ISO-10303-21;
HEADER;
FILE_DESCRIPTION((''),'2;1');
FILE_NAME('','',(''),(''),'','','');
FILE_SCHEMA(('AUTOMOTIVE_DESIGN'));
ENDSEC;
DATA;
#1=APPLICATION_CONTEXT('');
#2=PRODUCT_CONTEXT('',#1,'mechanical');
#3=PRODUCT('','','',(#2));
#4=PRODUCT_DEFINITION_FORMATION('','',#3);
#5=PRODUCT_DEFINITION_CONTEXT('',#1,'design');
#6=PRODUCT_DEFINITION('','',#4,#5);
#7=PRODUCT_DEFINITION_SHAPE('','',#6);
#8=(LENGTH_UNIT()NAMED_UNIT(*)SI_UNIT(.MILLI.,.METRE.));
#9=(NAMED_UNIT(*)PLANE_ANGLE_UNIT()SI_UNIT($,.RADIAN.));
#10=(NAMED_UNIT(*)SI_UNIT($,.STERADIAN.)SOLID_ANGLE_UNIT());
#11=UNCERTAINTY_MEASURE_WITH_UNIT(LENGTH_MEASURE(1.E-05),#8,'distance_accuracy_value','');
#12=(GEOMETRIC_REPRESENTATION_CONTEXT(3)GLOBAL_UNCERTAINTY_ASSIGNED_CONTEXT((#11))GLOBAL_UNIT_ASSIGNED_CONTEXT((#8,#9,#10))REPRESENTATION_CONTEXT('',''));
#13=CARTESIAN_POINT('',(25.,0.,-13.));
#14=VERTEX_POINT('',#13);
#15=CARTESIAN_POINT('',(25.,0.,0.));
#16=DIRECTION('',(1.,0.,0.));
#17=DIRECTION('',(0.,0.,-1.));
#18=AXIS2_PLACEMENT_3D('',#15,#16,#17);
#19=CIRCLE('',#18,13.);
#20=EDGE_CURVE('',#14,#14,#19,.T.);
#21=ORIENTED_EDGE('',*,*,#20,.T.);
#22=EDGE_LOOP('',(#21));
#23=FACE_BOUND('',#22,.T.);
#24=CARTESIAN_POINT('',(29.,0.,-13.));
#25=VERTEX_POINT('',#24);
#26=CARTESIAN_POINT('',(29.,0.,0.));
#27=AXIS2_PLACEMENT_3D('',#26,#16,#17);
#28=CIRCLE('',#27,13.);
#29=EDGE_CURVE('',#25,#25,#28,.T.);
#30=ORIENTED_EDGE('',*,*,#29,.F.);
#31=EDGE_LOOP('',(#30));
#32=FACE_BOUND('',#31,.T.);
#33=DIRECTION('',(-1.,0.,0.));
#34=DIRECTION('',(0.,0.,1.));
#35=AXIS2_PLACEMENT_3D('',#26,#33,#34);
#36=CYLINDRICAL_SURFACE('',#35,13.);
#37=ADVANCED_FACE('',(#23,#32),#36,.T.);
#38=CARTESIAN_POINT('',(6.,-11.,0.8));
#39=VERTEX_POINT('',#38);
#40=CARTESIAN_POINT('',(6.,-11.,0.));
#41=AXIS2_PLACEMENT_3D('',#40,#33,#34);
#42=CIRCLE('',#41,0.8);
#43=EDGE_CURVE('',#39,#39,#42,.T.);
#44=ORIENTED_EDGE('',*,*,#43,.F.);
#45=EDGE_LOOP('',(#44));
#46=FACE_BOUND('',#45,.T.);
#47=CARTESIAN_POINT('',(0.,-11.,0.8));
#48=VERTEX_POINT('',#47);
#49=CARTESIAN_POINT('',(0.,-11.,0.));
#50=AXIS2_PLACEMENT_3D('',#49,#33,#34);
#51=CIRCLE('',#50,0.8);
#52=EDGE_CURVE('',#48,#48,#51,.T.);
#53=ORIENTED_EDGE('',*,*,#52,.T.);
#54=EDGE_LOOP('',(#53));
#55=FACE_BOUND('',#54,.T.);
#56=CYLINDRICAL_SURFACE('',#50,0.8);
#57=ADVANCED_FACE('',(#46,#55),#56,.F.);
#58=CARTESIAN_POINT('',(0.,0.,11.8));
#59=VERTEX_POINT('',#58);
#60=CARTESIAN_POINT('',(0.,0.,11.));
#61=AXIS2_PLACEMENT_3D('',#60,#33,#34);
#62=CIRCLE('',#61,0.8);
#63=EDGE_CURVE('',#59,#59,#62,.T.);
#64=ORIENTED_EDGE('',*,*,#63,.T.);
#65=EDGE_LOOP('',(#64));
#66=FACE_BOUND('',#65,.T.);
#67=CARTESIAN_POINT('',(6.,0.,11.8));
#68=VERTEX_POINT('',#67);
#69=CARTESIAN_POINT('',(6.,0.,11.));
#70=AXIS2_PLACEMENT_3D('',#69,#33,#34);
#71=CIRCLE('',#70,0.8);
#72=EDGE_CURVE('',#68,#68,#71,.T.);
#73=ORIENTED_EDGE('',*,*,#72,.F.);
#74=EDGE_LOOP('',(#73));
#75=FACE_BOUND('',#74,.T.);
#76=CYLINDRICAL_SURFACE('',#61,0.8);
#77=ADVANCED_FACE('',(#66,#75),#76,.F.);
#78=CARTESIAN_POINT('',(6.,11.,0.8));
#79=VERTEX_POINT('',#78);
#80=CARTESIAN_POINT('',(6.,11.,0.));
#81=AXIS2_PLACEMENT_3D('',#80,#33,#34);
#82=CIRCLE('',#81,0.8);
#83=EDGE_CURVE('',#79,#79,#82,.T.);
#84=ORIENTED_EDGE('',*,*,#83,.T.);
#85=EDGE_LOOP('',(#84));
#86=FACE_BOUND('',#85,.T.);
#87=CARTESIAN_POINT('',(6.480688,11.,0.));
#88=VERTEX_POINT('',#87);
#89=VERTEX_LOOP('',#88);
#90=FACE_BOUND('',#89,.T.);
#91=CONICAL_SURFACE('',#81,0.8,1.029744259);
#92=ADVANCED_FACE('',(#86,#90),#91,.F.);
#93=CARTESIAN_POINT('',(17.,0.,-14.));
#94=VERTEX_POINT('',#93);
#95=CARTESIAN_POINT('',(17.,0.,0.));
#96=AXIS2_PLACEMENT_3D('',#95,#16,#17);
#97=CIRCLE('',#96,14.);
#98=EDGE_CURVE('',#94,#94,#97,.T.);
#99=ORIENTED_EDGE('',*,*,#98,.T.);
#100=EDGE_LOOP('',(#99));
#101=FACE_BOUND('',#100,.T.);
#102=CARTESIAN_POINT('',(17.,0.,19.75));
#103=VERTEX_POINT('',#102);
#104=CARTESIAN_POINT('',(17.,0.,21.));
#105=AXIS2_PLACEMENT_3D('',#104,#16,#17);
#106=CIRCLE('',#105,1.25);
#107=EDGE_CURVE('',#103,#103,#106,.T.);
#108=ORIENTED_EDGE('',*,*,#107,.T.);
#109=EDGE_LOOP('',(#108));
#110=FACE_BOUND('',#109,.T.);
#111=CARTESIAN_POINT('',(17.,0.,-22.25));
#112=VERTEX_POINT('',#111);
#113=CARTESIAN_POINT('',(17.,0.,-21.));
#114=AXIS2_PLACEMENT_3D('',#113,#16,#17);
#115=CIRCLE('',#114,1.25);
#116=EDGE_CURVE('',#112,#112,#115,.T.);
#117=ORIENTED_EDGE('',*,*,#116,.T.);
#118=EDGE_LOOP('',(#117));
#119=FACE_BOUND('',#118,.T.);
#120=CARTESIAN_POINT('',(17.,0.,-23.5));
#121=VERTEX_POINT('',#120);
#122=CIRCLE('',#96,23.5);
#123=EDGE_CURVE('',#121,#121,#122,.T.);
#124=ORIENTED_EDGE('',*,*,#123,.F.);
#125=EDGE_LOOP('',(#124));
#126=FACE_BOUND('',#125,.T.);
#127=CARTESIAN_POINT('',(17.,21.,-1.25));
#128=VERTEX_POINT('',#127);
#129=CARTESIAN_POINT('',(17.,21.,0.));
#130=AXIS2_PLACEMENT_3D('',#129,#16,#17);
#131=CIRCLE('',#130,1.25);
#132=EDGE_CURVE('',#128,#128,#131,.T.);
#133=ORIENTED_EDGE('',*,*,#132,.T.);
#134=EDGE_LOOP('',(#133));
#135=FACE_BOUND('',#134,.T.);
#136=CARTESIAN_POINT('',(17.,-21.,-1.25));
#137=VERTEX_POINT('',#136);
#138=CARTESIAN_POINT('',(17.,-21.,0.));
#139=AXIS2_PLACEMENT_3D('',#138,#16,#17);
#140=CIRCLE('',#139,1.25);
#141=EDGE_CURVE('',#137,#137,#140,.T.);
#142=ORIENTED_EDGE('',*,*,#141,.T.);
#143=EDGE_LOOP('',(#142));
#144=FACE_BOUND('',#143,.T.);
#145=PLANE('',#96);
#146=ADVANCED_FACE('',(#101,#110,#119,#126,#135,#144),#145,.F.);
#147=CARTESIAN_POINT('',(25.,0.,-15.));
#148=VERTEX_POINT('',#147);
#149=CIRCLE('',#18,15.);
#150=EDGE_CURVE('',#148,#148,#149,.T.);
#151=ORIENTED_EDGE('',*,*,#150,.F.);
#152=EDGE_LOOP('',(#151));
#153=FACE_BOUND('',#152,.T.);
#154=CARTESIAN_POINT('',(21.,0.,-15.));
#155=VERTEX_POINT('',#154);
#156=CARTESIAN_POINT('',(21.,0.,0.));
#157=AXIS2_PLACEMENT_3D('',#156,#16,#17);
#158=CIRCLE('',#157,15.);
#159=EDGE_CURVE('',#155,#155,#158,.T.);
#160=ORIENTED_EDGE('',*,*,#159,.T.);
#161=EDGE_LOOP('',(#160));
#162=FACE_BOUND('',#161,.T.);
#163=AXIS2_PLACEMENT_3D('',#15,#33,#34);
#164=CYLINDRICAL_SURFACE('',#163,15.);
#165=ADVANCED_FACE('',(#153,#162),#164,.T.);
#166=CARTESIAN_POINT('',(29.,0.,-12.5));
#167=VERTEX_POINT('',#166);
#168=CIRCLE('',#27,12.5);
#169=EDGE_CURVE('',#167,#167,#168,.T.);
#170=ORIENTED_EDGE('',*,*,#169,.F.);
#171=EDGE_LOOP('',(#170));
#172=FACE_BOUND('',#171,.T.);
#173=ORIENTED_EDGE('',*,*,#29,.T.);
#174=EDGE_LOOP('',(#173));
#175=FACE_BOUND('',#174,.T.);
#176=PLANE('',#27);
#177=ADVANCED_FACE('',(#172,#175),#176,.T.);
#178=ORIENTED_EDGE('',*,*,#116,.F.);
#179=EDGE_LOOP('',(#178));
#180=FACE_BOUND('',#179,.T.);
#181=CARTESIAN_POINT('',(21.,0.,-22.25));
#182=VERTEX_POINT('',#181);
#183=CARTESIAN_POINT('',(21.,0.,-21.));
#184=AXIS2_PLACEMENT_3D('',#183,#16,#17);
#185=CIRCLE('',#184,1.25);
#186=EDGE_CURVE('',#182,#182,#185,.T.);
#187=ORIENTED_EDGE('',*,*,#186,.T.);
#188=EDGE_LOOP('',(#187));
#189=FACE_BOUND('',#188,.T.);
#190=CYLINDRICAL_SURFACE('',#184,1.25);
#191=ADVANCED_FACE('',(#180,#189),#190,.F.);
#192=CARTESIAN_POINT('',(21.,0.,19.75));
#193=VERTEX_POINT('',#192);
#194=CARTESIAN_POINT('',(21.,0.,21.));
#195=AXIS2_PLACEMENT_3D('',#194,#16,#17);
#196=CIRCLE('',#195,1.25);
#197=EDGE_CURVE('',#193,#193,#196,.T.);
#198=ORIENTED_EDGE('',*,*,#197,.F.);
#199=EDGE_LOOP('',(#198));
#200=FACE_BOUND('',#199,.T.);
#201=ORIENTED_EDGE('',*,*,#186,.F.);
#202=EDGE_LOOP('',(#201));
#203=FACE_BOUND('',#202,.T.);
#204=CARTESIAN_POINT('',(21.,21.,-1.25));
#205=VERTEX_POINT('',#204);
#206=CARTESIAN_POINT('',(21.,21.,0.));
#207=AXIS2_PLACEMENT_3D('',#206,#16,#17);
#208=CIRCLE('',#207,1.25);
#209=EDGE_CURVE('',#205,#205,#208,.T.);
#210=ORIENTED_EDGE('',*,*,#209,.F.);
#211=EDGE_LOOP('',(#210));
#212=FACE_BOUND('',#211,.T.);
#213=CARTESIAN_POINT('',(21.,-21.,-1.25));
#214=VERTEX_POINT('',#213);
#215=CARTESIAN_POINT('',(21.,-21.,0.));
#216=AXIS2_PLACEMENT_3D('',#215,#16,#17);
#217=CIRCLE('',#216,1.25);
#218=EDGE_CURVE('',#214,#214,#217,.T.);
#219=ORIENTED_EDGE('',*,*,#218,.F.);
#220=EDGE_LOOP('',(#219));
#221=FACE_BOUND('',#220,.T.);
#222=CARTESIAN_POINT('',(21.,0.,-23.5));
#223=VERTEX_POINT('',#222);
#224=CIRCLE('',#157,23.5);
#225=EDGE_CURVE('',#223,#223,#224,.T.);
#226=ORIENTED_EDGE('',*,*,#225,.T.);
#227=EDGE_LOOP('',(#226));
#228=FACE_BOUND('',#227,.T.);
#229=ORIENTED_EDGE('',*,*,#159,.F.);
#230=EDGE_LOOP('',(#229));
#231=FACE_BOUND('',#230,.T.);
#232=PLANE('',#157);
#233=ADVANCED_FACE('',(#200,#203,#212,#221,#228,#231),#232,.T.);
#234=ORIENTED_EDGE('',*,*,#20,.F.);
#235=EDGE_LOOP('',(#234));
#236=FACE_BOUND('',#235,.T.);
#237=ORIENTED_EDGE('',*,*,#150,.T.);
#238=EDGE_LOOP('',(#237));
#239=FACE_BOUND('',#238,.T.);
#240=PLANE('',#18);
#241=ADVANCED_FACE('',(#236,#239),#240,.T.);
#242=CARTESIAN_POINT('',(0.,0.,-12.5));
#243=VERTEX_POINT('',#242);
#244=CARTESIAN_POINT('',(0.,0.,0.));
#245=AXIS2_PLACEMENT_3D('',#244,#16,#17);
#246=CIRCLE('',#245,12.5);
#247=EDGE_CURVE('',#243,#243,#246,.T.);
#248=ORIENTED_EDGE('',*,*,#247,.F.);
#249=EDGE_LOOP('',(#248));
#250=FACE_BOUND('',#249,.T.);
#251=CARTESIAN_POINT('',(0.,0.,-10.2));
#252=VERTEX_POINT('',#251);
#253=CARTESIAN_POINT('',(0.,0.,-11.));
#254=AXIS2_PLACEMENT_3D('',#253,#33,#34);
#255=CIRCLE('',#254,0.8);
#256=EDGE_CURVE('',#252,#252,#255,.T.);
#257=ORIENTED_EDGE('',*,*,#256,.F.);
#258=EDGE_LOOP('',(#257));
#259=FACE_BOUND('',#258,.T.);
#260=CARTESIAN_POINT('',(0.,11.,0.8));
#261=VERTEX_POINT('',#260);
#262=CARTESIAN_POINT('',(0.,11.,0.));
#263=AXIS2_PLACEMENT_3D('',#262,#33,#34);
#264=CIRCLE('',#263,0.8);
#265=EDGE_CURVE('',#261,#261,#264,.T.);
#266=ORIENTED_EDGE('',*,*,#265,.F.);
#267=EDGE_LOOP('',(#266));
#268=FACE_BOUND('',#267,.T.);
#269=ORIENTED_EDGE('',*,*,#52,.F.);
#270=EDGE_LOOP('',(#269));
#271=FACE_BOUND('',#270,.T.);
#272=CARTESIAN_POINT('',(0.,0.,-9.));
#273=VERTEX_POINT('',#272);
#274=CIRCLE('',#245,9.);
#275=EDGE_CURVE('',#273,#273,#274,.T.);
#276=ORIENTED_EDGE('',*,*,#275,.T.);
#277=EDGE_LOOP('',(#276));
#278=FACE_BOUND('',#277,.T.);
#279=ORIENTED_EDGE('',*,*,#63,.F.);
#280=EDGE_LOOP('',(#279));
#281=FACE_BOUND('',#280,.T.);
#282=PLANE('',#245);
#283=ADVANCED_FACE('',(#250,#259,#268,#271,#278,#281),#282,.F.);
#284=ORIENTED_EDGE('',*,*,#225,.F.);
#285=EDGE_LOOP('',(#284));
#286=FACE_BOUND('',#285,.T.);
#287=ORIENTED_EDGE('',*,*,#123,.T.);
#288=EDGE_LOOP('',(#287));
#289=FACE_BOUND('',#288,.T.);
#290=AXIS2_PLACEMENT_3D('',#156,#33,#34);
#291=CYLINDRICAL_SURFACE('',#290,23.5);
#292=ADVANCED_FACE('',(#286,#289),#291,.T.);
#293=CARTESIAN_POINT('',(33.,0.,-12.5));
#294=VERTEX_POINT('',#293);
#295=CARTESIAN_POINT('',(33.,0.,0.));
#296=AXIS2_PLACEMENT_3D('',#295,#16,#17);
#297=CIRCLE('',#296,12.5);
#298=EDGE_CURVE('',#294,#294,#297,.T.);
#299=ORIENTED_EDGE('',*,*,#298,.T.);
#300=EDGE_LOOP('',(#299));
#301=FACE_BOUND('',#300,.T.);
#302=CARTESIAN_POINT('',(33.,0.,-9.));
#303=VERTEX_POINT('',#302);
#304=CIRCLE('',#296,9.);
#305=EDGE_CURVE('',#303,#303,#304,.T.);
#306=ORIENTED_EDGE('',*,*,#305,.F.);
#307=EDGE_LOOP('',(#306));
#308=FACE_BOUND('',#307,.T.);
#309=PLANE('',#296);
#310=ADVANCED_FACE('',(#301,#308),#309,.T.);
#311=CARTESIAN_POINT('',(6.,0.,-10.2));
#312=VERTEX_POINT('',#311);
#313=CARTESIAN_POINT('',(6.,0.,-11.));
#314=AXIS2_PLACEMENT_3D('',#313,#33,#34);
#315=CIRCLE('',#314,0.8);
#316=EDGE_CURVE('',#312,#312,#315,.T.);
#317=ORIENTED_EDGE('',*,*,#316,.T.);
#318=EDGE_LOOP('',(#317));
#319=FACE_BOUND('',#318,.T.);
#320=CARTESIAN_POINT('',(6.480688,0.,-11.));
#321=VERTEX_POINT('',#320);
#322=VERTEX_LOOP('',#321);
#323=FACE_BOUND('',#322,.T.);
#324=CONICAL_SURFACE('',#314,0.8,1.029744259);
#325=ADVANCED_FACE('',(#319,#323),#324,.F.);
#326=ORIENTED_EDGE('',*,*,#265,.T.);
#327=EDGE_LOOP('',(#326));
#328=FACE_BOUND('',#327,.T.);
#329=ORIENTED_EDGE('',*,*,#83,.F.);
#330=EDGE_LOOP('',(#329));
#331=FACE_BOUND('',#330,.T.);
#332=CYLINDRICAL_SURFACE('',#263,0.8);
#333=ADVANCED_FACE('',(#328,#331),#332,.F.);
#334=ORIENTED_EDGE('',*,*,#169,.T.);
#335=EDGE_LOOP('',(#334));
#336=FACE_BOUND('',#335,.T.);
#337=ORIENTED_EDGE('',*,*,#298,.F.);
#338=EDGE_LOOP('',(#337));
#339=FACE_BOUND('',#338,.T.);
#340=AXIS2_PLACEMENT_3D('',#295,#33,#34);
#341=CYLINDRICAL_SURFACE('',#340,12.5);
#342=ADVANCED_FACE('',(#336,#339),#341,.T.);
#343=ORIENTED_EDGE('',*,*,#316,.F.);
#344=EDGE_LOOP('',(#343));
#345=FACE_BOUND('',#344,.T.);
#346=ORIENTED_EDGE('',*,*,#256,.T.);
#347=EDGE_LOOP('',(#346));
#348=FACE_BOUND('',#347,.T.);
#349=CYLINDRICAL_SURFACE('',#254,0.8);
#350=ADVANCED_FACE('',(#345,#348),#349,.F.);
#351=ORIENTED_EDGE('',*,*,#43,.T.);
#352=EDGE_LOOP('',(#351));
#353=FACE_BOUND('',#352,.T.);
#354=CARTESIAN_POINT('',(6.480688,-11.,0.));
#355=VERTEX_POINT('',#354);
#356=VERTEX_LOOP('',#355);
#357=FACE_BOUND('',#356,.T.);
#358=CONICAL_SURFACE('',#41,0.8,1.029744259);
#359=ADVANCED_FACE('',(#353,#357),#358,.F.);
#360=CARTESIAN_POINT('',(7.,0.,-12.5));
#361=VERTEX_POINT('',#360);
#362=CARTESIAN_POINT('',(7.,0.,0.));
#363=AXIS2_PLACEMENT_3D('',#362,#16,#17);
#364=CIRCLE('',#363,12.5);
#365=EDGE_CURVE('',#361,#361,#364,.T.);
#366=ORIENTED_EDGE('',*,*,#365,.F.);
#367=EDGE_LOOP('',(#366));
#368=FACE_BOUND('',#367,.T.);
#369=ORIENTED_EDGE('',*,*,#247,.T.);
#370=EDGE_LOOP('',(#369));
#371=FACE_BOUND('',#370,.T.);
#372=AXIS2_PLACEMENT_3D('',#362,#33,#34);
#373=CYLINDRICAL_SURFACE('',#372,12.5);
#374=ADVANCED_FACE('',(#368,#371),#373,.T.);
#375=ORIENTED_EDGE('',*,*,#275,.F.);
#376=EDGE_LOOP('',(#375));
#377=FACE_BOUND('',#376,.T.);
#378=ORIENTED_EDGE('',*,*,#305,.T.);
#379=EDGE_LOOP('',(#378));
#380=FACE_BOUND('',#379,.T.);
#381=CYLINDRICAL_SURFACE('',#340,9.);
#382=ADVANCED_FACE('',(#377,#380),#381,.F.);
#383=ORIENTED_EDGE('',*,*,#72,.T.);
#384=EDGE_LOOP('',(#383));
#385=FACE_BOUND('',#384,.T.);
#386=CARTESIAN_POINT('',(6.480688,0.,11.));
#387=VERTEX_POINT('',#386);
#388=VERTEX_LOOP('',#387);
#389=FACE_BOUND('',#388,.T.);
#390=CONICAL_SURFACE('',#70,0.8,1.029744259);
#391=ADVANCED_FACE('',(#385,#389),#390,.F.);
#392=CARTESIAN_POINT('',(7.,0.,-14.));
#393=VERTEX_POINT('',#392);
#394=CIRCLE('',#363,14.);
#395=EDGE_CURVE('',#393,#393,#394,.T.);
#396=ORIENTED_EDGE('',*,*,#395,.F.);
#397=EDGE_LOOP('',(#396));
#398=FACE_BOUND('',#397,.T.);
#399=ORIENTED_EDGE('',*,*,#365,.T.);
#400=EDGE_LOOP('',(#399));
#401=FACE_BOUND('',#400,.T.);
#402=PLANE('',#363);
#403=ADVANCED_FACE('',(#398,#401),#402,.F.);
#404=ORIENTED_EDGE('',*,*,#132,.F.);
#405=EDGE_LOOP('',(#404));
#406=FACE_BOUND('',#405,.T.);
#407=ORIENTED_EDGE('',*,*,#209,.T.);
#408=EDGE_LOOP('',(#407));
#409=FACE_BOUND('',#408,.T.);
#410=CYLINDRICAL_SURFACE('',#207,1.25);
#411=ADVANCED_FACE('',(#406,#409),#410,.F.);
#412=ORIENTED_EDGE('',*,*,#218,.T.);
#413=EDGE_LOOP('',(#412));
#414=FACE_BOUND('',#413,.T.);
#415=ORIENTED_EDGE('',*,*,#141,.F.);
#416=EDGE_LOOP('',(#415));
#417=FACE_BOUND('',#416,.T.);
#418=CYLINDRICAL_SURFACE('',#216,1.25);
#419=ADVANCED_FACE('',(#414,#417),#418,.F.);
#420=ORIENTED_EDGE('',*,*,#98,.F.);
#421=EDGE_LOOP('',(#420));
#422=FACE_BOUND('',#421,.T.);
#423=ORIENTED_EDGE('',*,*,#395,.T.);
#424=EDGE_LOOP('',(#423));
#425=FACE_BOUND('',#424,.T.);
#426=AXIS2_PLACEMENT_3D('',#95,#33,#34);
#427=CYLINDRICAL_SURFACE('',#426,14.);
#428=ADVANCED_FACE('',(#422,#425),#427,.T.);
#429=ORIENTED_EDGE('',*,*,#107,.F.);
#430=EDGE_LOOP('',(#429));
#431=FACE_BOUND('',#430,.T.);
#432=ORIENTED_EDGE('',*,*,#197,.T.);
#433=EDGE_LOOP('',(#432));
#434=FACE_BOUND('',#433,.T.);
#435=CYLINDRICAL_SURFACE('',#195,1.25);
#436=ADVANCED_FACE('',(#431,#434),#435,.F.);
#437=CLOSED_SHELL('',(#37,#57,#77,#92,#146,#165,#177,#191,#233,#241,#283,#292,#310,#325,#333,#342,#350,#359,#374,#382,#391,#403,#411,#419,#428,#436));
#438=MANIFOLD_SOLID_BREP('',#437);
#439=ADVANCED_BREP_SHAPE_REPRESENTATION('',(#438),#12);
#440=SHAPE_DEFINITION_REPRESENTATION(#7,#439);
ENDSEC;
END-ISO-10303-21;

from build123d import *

# Parameters (mm, degrees)
SKETCH_1_R             = 12.5
EXTRUDE_1_DEPTH        = 7
SKETCH_2_R             = 14
EXTRUDE_2_DEPTH        = 10
SKETCH_3_R             = 23.5
EXTRUDE_3_DEPTH        = 4
HOLE_WIZARD_M3_1_D     = 2.5
HOLE_WIZARD_M3_1_DEPTH = 8.5
HOLE_WIZARD_M3_1_TIP   = 0.751075774
HOLE_WIZARD_M2_1_D     = 1.6
HOLE_WIZARD_M2_1_DEPTH = 6
HOLE_WIZARD_M2_1_TIP   = 0.480688495
SKETCH_14_R            = 15
EXTRUDE_4_DEPTH        = 4
SKETCH_15_R            = 13
EXTRUDE_5_DEPTH        = 4
SKETCH_16_R            = 12.5
EXTRUDE_6_DEPTH        = 4
SKETCH_4_R             = 9
CUT_EXTRUDE_2_DEPTH    = 47.834816109


with BuildPart() as part:
    # 草图1 → 凸台-拉伸1 (new body)
    with BuildSketch(Plane(origin=(0, 0, 0), x_dir=(0, 0, -1), z_dir=(1, 0, 0))):
        Circle(SKETCH_1_R)
    extrude(amount=EXTRUDE_1_DEPTH)

    # 草图2 → 凸台-拉伸2 (add)
    with BuildSketch(Plane(origin=(7, 0, 0), x_dir=(0, 0, -1), z_dir=(1, 0, 0))):
        Circle(SKETCH_2_R)
    extrude(amount=EXTRUDE_2_DEPTH)

    # 草图3 → 凸台-拉伸3 (add)
    with BuildSketch(Plane(origin=(17, 0, 0), x_dir=(0, 0, -1), z_dir=(1, 0, 0))):
        Circle(SKETCH_3_R)
    extrude(amount=EXTRUDE_3_DEPTH)

    # M3 螺纹孔1
    with Locations(Plane(origin=(21, 0, 0), x_dir=(0, 0, -1), z_dir=(1, 0, 0))):
        with Locations((0, 21), (21, 0), (0, -21), (-21, 0)):
            Hole(HOLE_WIZARD_M3_1_D / 2, depth=HOLE_WIZARD_M3_1_DEPTH)
            with Locations((0, 0, -(HOLE_WIZARD_M3_1_DEPTH + HOLE_WIZARD_M3_1_TIP / 2))):  # 118° drill point
                Cone(0, HOLE_WIZARD_M3_1_D / 2, HOLE_WIZARD_M3_1_TIP, mode=Mode.SUBTRACT)

    # M2 螺纹孔1
    with Locations(Plane.ZY):
        with Locations((-11, 0), (0, -11), (11, 0), (0, 11)):
            Hole(HOLE_WIZARD_M2_1_D / 2, depth=HOLE_WIZARD_M2_1_DEPTH)
            with Locations((0, 0, -(HOLE_WIZARD_M2_1_DEPTH + HOLE_WIZARD_M2_1_TIP / 2))):  # 118° drill point
                Cone(0, HOLE_WIZARD_M2_1_D / 2, HOLE_WIZARD_M2_1_TIP, mode=Mode.SUBTRACT)

    # 草图14 → 凸台-拉伸4 (add)
    with BuildSketch(Plane(origin=(21, 0, 0), x_dir=(0, 0, -1), z_dir=(1, 0, 0))):
        Circle(SKETCH_14_R)
    extrude(amount=EXTRUDE_4_DEPTH)

    # 草图15 → 凸台-拉伸5 (add)
    with BuildSketch(Plane(origin=(25, 0, 0), x_dir=(0, 0, -1), z_dir=(1, 0, 0))):
        Circle(SKETCH_15_R)
    extrude(amount=EXTRUDE_5_DEPTH)

    # 草图16 → 凸台-拉伸6 (add)
    with BuildSketch(Plane(origin=(29, 0, 0), x_dir=(0, 0, -1), z_dir=(1, 0, 0))):
        Circle(SKETCH_16_R)
    extrude(amount=EXTRUDE_6_DEPTH)

    # 草图4 → 切除-拉伸2 (cut, through all)
    with BuildSketch(Plane(origin=(0, 0, 0), x_dir=(0, 0, -1), z_dir=(1, 0, 0))):
        Circle(SKETCH_4_R)
    extrude(amount=CUT_EXTRUDE_2_DEPTH, mode=Mode.SUBTRACT)


solid = part.part
